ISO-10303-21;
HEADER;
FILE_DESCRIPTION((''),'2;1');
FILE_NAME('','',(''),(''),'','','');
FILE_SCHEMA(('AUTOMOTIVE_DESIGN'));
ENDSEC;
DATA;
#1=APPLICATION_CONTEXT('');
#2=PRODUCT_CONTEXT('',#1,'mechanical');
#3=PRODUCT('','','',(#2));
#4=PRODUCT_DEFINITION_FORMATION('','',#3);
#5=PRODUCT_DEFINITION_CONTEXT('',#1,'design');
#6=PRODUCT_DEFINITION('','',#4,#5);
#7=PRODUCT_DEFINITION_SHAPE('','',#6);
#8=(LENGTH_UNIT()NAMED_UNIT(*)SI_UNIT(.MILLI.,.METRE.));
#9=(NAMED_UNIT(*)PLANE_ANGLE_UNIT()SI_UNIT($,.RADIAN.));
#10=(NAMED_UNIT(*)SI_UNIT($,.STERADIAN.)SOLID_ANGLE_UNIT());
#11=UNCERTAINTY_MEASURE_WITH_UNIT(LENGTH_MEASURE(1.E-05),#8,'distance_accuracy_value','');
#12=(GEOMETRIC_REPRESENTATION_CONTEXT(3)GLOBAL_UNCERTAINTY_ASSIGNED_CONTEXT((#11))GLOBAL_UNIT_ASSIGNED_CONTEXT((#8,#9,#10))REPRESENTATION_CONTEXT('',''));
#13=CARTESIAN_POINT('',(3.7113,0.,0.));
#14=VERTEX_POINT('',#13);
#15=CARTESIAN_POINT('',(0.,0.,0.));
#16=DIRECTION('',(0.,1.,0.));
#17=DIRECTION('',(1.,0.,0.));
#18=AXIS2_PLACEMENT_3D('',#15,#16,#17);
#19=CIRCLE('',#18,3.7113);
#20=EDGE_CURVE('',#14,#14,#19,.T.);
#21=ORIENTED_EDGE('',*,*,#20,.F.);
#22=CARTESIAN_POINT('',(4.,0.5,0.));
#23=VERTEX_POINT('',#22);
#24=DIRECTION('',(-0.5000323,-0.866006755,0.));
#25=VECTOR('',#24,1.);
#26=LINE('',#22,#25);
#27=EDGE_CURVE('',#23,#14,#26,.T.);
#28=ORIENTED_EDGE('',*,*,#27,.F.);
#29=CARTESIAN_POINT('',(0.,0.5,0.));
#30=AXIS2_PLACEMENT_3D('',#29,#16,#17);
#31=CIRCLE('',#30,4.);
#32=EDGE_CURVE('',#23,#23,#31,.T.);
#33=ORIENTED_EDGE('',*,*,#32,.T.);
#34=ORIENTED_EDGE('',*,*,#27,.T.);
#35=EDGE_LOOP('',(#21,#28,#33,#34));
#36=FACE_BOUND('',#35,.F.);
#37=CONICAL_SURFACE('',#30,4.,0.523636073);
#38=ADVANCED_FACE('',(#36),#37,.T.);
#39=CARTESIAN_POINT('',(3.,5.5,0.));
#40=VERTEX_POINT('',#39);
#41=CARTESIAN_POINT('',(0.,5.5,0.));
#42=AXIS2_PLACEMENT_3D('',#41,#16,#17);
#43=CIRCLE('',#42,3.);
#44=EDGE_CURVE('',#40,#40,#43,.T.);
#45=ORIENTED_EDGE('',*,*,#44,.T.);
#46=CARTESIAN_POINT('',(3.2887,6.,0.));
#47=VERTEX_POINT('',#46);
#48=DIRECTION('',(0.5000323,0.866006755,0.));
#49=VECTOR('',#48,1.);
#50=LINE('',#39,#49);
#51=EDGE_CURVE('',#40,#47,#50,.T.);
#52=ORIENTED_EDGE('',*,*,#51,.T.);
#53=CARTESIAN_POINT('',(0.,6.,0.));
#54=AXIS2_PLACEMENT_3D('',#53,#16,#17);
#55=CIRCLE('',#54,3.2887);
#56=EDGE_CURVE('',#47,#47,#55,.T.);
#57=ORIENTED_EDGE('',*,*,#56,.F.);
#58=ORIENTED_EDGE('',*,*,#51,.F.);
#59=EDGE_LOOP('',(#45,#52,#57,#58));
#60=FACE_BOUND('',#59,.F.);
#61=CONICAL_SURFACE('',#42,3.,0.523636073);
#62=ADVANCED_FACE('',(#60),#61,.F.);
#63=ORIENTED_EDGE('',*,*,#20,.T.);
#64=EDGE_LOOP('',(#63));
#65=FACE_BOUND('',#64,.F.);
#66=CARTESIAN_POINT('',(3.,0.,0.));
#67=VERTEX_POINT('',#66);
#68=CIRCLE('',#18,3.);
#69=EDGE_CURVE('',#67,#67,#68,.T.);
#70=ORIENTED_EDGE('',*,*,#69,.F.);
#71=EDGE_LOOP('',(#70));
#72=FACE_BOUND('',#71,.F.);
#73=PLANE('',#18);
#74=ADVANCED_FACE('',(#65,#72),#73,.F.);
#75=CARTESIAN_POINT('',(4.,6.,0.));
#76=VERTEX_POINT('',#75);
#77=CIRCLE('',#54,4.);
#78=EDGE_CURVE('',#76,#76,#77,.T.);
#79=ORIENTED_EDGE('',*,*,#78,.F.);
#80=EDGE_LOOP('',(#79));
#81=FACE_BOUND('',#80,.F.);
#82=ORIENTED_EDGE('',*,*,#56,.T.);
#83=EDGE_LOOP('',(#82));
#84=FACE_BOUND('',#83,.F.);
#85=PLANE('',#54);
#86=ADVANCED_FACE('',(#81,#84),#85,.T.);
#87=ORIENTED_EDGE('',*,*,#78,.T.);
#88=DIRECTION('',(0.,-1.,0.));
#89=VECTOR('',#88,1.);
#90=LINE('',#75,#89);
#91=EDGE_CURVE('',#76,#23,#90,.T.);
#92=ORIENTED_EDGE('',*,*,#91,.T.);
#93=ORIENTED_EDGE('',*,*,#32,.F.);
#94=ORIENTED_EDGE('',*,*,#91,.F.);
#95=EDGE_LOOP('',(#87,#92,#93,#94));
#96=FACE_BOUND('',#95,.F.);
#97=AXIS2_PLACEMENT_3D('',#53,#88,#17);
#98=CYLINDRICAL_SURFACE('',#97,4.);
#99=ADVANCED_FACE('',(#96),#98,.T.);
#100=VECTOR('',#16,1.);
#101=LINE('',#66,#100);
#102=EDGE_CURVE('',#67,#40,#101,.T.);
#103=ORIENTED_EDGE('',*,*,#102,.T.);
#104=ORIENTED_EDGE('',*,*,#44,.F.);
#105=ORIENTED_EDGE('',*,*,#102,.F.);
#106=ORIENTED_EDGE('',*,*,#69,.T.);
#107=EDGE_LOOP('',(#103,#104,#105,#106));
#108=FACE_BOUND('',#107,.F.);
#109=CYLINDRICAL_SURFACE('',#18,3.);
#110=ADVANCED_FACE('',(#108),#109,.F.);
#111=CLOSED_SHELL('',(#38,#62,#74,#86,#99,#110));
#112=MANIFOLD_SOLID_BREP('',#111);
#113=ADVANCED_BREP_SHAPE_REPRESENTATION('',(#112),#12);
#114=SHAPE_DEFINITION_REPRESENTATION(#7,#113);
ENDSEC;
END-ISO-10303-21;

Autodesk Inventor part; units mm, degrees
ref_plane "YZ Plane" through (0, 0, 0) normal (1, 0, 0) x (0, 1, 0)
ref_plane "XZ Plane" through (0, 0, 0) normal (0, 1, 0) x (-1, 0, 0)
ref_plane "XY Plane" through (0, 0, 0) normal (0, 0, 1) x (1, 0, 0)
sketch "Szkic1" plane through (0, 0, 0) normal (0, 0, 1) x (1, 0, 0)
  line L0 (0, 0) -> (3, 0) construction
  line L1 (3, 0) -> (3, 5.5)
  line L2 (3, 5.5) -> (3.2887, 6)
  line L3 (3.2887, 6) -> (4, 6)
  line L4 (4, 6) -> (4, 0.5)
  line L5 (4, 0.5) -> (3.7113, 0)
  line L6 (3.7113, 0) -> (3, 0)
  line L7 (0, -1.2) -> (0, 7.2) projected
  dimension "d0" = 3
  dimension "d1" = 4
  dimension "d2" = 30
  dimension "d4" = 6
  dimension "d5" = 0.5
revolve "Obrót1" add sketch "Szkic1" angle 360 about axis through (0, -10, 0) along (0, 1, 0)
properties part number "Lozysko GSM-0608-06"
